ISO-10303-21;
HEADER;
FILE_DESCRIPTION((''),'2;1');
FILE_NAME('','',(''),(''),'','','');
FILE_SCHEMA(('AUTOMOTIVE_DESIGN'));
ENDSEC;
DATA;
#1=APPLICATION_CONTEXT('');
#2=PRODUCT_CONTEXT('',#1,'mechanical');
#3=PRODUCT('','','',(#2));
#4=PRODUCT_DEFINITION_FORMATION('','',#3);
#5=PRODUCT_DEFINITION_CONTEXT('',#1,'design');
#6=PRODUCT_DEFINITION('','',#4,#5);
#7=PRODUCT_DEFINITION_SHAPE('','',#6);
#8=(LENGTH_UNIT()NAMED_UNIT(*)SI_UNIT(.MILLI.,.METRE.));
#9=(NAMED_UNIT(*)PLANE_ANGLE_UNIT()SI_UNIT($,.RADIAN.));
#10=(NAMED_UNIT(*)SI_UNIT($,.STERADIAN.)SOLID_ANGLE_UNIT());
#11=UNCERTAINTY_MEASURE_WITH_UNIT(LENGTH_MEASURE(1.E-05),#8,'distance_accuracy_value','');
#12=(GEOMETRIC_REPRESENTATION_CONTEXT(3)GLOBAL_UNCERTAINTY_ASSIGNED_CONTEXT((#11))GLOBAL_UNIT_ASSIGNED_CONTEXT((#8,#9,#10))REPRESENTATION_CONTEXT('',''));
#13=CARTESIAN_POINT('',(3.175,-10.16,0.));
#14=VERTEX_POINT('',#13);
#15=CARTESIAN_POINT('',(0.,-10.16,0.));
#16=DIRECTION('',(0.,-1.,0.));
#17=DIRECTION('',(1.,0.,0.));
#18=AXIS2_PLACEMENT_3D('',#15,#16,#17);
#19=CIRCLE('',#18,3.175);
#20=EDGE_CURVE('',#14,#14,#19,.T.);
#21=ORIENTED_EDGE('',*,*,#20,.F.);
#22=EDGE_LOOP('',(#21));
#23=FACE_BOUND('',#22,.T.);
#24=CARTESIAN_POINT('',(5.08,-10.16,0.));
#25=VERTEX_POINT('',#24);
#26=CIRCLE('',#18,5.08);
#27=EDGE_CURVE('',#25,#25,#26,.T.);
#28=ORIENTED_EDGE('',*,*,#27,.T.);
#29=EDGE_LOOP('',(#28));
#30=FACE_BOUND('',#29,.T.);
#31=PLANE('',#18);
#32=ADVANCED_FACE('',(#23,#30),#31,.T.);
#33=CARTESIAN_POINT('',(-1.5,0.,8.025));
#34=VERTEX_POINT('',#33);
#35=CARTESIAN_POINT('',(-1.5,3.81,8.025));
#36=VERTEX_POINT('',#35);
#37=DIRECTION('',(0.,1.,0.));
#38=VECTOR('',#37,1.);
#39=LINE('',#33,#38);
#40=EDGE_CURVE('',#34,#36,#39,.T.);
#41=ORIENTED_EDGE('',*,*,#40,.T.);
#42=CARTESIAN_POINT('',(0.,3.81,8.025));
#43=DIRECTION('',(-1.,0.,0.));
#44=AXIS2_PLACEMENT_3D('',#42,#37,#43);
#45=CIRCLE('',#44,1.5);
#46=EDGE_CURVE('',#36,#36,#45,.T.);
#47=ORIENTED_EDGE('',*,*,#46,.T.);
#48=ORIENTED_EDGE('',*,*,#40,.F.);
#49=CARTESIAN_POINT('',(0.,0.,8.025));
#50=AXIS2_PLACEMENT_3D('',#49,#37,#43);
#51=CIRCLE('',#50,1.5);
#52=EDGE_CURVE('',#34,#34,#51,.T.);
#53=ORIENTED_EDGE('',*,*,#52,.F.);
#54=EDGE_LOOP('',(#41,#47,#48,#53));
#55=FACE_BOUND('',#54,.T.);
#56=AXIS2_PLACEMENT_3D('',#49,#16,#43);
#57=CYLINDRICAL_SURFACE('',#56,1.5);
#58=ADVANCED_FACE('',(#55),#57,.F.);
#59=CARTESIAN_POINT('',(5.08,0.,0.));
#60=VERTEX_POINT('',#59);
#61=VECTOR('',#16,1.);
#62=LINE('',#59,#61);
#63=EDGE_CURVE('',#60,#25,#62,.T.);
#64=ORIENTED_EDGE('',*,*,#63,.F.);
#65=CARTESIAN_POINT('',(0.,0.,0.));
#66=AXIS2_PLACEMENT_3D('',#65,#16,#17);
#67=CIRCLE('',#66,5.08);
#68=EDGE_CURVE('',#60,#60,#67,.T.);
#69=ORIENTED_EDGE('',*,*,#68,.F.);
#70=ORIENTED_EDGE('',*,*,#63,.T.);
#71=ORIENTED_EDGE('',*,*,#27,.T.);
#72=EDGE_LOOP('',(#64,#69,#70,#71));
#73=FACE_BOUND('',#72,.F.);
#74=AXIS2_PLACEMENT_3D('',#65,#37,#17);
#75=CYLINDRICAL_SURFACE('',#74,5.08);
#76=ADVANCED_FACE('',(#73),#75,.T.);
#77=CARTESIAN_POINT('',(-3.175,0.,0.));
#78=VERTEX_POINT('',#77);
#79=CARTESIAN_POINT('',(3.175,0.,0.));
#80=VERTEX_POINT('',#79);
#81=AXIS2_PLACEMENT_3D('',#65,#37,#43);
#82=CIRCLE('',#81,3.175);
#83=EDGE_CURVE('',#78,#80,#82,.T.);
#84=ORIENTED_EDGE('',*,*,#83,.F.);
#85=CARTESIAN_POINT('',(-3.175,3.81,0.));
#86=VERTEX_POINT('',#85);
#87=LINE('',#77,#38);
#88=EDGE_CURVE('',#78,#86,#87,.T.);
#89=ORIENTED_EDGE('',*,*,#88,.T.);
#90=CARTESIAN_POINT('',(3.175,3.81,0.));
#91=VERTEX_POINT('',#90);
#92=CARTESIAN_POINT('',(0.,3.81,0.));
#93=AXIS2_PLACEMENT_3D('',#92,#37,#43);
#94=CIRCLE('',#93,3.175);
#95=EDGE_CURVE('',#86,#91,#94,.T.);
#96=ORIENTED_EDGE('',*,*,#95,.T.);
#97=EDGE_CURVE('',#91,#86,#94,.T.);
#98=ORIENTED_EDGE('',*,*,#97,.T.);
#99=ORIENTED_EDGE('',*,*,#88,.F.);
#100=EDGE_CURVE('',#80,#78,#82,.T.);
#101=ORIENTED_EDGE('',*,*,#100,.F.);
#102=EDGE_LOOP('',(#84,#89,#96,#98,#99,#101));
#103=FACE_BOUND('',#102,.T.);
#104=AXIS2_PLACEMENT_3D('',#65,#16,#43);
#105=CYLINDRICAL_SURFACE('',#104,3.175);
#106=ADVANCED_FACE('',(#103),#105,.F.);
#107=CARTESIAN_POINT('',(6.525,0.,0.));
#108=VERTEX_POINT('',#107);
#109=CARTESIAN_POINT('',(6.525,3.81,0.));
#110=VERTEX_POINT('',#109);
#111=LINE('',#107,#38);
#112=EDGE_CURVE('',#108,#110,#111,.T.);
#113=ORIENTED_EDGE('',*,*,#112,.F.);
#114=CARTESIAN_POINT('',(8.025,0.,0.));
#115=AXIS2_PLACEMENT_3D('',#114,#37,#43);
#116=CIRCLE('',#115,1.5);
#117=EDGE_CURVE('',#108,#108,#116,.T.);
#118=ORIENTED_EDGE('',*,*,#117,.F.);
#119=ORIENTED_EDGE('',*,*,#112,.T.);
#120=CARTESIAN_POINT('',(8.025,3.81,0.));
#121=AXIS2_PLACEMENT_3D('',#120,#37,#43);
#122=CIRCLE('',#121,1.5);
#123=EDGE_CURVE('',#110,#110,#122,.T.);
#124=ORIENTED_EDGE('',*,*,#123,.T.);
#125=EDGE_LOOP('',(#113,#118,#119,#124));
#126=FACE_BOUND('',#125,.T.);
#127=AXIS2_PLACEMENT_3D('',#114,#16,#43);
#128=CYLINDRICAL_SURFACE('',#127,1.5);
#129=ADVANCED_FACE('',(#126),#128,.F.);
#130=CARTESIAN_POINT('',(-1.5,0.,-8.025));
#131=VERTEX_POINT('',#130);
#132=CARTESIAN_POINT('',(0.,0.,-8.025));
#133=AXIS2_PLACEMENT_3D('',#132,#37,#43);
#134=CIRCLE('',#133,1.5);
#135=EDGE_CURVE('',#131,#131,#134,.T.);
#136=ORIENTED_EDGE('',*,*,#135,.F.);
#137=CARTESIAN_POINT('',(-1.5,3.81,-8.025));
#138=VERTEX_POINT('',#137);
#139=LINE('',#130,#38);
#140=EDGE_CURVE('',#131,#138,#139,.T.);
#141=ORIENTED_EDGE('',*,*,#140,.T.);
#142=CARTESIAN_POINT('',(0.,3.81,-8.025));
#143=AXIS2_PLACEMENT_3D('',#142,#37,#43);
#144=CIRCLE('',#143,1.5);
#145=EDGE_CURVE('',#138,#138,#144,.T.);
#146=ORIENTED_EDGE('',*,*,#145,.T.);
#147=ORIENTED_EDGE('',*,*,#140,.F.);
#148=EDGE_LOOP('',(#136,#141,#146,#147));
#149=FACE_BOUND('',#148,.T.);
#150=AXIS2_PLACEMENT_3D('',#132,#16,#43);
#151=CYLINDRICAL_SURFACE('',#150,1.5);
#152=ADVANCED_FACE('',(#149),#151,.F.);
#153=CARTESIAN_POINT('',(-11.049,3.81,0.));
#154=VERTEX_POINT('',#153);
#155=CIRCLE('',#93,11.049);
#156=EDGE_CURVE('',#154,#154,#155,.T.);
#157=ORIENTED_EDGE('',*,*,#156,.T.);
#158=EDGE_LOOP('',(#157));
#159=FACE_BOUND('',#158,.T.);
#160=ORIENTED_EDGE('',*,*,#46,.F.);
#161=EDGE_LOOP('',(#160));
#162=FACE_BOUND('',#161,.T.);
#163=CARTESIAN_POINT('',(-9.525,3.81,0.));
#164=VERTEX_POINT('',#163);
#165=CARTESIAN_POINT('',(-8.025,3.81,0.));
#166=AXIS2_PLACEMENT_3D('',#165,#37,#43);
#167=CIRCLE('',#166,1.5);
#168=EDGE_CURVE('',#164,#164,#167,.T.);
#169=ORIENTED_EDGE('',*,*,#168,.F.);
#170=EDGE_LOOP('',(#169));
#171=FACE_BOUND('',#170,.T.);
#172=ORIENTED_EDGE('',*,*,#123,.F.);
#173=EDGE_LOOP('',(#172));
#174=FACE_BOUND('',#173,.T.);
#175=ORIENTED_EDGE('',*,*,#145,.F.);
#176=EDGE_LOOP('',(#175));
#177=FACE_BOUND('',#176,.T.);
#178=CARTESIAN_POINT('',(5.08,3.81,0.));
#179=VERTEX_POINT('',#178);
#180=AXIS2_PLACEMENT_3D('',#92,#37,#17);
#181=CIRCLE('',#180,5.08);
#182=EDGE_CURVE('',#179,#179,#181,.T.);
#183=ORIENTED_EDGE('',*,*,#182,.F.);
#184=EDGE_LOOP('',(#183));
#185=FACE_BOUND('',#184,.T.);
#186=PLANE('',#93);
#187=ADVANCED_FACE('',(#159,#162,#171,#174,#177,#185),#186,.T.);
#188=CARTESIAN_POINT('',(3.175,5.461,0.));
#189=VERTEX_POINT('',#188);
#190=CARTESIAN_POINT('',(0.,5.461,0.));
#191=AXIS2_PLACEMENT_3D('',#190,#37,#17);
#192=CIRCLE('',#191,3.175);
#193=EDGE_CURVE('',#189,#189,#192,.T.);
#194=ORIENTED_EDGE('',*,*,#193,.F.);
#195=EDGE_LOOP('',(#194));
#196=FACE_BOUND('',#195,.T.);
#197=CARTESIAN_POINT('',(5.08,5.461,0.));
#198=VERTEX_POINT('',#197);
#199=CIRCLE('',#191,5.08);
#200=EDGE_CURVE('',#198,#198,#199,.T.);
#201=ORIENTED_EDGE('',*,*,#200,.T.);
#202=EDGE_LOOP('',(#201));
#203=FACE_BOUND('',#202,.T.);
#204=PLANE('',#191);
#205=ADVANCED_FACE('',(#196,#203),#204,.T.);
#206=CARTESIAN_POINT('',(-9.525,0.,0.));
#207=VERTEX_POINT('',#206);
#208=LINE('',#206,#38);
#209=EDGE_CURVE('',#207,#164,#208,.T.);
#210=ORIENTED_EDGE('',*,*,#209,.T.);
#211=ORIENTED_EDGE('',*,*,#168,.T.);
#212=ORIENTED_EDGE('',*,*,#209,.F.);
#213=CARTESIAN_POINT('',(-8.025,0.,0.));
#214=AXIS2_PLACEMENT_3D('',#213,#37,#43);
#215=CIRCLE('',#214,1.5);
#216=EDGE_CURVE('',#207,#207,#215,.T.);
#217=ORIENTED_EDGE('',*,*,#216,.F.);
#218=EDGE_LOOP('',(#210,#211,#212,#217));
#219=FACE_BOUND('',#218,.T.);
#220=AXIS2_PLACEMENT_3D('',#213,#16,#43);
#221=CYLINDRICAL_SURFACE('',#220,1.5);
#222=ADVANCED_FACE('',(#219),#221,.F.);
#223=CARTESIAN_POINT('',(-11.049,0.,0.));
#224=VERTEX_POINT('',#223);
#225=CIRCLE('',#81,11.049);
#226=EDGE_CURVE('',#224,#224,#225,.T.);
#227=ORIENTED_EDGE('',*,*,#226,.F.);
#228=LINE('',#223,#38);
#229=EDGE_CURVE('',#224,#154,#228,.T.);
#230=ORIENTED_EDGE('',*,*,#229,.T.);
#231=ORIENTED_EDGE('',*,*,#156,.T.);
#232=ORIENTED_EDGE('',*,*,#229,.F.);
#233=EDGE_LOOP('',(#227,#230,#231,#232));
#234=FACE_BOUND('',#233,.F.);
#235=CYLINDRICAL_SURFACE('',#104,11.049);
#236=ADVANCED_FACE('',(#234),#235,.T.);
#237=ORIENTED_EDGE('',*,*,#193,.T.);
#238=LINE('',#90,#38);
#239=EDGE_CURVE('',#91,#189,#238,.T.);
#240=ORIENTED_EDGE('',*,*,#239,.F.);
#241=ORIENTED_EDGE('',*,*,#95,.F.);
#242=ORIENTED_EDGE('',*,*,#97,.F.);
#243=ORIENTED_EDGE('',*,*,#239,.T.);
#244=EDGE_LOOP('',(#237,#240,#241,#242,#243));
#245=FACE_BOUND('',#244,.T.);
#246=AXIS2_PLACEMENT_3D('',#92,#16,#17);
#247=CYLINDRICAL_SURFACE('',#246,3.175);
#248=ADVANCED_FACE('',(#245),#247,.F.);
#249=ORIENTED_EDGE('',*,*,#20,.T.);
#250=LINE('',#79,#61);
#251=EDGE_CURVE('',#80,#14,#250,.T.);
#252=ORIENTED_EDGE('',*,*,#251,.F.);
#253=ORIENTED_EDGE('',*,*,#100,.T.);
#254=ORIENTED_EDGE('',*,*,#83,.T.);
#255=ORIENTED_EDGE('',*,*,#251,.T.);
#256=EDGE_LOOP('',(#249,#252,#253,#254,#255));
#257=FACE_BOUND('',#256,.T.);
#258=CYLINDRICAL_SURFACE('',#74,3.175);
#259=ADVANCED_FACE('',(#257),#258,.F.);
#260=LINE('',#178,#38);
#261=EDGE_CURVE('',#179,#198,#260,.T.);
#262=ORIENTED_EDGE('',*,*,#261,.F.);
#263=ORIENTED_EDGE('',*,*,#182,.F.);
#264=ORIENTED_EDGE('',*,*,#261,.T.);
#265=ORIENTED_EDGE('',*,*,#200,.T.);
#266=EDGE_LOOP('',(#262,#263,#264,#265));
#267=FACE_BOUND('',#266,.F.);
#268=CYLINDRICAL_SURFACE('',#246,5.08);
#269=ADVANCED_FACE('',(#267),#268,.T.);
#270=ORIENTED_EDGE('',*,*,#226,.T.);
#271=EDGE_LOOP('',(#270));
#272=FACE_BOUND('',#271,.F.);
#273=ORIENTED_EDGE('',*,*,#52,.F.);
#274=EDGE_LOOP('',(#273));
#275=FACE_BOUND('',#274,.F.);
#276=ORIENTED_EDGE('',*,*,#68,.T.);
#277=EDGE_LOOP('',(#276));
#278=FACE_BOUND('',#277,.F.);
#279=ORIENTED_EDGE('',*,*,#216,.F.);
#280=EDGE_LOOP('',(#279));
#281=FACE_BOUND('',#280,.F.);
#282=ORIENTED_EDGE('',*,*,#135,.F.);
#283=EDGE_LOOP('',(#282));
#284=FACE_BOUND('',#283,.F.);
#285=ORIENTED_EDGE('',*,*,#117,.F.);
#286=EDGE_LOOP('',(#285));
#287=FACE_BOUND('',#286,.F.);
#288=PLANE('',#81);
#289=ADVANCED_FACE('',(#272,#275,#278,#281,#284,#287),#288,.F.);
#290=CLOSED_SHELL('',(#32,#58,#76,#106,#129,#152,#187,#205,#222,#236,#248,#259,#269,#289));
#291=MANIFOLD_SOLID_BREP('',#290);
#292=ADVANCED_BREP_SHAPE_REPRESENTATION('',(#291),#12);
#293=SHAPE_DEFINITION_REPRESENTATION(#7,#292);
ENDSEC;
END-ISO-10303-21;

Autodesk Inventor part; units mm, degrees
ref_plane "YZ Plane" through (0, 0, 0) normal (1, 0, 0) x (0, 1, 0)
ref_plane "XZ Plane" through (0, 0, 0) normal (0, 1, 0) x (-1, 0, 0)
ref_plane "XY Plane" through (0, 0, 0) normal (0, 0, 1) x (1, 0, 0)
sketch "Sketch1" plane through (0, 0, 0) normal (0, 1, 0) x (-1, 0, 0)
  circle A0 centre (0, 0) radius 11.049
  circle A1 centre (0, 0) radius 3.175
  circle A2 centre (8.025, 0) radius 1.5
  line L0 (9.525, 0) -> (11.049, 0)
  circle A3 centre (0, 0) radius 5.08
  circle A4 centre (0, 8.025) radius 1.5
  circle A5 centre (-8.025, 0) radius 1.5
  circle A6 centre (0, -8.025) radius 1.5
  point P0 (0, 9.525)
  point P1 (-9.525, 0)
  point P2 (0, -9.525)
  dimension "d0" = 22.098
  dimension "d2" = 3
  dimension "d1" = 6.35
  dimension "d3" = 1.524
  dimension "d4" = 10.16
  dimension "d7" = 360
extrude "Extrusion1" add sketch "Sketch1" along normal blind 3.81 contours A0 | A3
sketch "Sketch2" plane through (0, 3.81, 0) normal (0, 1, 0) x (1, 0, 0)
  circle A0 centre (0, 0) radius 5.08
  circle A1 centre (0, 0) radius 3.175
  dimension "d11" = 10.16
extrude "Extrusion2" add sketch "Sketch2" along normal blind 1.651
sketch "Sketch3" plane through (0, 0, 0) normal (0, -1, 0) x (1, 0, 0)
  circle A0 centre (0, 0) radius 5.08 projected
  circle A1 centre (0, 0) radius 5.08 projected
  circle A2 centre (0, 0) radius 3.175 projected
extrude "Extrusion3" add sketch "Sketch3" along normal blind 10.16
thread "Thread1" size "1/4-20 UNC" class "2B" standard "ANSI Unified Screw Threads" full length
properties part number "Threaded Rod Mount"
